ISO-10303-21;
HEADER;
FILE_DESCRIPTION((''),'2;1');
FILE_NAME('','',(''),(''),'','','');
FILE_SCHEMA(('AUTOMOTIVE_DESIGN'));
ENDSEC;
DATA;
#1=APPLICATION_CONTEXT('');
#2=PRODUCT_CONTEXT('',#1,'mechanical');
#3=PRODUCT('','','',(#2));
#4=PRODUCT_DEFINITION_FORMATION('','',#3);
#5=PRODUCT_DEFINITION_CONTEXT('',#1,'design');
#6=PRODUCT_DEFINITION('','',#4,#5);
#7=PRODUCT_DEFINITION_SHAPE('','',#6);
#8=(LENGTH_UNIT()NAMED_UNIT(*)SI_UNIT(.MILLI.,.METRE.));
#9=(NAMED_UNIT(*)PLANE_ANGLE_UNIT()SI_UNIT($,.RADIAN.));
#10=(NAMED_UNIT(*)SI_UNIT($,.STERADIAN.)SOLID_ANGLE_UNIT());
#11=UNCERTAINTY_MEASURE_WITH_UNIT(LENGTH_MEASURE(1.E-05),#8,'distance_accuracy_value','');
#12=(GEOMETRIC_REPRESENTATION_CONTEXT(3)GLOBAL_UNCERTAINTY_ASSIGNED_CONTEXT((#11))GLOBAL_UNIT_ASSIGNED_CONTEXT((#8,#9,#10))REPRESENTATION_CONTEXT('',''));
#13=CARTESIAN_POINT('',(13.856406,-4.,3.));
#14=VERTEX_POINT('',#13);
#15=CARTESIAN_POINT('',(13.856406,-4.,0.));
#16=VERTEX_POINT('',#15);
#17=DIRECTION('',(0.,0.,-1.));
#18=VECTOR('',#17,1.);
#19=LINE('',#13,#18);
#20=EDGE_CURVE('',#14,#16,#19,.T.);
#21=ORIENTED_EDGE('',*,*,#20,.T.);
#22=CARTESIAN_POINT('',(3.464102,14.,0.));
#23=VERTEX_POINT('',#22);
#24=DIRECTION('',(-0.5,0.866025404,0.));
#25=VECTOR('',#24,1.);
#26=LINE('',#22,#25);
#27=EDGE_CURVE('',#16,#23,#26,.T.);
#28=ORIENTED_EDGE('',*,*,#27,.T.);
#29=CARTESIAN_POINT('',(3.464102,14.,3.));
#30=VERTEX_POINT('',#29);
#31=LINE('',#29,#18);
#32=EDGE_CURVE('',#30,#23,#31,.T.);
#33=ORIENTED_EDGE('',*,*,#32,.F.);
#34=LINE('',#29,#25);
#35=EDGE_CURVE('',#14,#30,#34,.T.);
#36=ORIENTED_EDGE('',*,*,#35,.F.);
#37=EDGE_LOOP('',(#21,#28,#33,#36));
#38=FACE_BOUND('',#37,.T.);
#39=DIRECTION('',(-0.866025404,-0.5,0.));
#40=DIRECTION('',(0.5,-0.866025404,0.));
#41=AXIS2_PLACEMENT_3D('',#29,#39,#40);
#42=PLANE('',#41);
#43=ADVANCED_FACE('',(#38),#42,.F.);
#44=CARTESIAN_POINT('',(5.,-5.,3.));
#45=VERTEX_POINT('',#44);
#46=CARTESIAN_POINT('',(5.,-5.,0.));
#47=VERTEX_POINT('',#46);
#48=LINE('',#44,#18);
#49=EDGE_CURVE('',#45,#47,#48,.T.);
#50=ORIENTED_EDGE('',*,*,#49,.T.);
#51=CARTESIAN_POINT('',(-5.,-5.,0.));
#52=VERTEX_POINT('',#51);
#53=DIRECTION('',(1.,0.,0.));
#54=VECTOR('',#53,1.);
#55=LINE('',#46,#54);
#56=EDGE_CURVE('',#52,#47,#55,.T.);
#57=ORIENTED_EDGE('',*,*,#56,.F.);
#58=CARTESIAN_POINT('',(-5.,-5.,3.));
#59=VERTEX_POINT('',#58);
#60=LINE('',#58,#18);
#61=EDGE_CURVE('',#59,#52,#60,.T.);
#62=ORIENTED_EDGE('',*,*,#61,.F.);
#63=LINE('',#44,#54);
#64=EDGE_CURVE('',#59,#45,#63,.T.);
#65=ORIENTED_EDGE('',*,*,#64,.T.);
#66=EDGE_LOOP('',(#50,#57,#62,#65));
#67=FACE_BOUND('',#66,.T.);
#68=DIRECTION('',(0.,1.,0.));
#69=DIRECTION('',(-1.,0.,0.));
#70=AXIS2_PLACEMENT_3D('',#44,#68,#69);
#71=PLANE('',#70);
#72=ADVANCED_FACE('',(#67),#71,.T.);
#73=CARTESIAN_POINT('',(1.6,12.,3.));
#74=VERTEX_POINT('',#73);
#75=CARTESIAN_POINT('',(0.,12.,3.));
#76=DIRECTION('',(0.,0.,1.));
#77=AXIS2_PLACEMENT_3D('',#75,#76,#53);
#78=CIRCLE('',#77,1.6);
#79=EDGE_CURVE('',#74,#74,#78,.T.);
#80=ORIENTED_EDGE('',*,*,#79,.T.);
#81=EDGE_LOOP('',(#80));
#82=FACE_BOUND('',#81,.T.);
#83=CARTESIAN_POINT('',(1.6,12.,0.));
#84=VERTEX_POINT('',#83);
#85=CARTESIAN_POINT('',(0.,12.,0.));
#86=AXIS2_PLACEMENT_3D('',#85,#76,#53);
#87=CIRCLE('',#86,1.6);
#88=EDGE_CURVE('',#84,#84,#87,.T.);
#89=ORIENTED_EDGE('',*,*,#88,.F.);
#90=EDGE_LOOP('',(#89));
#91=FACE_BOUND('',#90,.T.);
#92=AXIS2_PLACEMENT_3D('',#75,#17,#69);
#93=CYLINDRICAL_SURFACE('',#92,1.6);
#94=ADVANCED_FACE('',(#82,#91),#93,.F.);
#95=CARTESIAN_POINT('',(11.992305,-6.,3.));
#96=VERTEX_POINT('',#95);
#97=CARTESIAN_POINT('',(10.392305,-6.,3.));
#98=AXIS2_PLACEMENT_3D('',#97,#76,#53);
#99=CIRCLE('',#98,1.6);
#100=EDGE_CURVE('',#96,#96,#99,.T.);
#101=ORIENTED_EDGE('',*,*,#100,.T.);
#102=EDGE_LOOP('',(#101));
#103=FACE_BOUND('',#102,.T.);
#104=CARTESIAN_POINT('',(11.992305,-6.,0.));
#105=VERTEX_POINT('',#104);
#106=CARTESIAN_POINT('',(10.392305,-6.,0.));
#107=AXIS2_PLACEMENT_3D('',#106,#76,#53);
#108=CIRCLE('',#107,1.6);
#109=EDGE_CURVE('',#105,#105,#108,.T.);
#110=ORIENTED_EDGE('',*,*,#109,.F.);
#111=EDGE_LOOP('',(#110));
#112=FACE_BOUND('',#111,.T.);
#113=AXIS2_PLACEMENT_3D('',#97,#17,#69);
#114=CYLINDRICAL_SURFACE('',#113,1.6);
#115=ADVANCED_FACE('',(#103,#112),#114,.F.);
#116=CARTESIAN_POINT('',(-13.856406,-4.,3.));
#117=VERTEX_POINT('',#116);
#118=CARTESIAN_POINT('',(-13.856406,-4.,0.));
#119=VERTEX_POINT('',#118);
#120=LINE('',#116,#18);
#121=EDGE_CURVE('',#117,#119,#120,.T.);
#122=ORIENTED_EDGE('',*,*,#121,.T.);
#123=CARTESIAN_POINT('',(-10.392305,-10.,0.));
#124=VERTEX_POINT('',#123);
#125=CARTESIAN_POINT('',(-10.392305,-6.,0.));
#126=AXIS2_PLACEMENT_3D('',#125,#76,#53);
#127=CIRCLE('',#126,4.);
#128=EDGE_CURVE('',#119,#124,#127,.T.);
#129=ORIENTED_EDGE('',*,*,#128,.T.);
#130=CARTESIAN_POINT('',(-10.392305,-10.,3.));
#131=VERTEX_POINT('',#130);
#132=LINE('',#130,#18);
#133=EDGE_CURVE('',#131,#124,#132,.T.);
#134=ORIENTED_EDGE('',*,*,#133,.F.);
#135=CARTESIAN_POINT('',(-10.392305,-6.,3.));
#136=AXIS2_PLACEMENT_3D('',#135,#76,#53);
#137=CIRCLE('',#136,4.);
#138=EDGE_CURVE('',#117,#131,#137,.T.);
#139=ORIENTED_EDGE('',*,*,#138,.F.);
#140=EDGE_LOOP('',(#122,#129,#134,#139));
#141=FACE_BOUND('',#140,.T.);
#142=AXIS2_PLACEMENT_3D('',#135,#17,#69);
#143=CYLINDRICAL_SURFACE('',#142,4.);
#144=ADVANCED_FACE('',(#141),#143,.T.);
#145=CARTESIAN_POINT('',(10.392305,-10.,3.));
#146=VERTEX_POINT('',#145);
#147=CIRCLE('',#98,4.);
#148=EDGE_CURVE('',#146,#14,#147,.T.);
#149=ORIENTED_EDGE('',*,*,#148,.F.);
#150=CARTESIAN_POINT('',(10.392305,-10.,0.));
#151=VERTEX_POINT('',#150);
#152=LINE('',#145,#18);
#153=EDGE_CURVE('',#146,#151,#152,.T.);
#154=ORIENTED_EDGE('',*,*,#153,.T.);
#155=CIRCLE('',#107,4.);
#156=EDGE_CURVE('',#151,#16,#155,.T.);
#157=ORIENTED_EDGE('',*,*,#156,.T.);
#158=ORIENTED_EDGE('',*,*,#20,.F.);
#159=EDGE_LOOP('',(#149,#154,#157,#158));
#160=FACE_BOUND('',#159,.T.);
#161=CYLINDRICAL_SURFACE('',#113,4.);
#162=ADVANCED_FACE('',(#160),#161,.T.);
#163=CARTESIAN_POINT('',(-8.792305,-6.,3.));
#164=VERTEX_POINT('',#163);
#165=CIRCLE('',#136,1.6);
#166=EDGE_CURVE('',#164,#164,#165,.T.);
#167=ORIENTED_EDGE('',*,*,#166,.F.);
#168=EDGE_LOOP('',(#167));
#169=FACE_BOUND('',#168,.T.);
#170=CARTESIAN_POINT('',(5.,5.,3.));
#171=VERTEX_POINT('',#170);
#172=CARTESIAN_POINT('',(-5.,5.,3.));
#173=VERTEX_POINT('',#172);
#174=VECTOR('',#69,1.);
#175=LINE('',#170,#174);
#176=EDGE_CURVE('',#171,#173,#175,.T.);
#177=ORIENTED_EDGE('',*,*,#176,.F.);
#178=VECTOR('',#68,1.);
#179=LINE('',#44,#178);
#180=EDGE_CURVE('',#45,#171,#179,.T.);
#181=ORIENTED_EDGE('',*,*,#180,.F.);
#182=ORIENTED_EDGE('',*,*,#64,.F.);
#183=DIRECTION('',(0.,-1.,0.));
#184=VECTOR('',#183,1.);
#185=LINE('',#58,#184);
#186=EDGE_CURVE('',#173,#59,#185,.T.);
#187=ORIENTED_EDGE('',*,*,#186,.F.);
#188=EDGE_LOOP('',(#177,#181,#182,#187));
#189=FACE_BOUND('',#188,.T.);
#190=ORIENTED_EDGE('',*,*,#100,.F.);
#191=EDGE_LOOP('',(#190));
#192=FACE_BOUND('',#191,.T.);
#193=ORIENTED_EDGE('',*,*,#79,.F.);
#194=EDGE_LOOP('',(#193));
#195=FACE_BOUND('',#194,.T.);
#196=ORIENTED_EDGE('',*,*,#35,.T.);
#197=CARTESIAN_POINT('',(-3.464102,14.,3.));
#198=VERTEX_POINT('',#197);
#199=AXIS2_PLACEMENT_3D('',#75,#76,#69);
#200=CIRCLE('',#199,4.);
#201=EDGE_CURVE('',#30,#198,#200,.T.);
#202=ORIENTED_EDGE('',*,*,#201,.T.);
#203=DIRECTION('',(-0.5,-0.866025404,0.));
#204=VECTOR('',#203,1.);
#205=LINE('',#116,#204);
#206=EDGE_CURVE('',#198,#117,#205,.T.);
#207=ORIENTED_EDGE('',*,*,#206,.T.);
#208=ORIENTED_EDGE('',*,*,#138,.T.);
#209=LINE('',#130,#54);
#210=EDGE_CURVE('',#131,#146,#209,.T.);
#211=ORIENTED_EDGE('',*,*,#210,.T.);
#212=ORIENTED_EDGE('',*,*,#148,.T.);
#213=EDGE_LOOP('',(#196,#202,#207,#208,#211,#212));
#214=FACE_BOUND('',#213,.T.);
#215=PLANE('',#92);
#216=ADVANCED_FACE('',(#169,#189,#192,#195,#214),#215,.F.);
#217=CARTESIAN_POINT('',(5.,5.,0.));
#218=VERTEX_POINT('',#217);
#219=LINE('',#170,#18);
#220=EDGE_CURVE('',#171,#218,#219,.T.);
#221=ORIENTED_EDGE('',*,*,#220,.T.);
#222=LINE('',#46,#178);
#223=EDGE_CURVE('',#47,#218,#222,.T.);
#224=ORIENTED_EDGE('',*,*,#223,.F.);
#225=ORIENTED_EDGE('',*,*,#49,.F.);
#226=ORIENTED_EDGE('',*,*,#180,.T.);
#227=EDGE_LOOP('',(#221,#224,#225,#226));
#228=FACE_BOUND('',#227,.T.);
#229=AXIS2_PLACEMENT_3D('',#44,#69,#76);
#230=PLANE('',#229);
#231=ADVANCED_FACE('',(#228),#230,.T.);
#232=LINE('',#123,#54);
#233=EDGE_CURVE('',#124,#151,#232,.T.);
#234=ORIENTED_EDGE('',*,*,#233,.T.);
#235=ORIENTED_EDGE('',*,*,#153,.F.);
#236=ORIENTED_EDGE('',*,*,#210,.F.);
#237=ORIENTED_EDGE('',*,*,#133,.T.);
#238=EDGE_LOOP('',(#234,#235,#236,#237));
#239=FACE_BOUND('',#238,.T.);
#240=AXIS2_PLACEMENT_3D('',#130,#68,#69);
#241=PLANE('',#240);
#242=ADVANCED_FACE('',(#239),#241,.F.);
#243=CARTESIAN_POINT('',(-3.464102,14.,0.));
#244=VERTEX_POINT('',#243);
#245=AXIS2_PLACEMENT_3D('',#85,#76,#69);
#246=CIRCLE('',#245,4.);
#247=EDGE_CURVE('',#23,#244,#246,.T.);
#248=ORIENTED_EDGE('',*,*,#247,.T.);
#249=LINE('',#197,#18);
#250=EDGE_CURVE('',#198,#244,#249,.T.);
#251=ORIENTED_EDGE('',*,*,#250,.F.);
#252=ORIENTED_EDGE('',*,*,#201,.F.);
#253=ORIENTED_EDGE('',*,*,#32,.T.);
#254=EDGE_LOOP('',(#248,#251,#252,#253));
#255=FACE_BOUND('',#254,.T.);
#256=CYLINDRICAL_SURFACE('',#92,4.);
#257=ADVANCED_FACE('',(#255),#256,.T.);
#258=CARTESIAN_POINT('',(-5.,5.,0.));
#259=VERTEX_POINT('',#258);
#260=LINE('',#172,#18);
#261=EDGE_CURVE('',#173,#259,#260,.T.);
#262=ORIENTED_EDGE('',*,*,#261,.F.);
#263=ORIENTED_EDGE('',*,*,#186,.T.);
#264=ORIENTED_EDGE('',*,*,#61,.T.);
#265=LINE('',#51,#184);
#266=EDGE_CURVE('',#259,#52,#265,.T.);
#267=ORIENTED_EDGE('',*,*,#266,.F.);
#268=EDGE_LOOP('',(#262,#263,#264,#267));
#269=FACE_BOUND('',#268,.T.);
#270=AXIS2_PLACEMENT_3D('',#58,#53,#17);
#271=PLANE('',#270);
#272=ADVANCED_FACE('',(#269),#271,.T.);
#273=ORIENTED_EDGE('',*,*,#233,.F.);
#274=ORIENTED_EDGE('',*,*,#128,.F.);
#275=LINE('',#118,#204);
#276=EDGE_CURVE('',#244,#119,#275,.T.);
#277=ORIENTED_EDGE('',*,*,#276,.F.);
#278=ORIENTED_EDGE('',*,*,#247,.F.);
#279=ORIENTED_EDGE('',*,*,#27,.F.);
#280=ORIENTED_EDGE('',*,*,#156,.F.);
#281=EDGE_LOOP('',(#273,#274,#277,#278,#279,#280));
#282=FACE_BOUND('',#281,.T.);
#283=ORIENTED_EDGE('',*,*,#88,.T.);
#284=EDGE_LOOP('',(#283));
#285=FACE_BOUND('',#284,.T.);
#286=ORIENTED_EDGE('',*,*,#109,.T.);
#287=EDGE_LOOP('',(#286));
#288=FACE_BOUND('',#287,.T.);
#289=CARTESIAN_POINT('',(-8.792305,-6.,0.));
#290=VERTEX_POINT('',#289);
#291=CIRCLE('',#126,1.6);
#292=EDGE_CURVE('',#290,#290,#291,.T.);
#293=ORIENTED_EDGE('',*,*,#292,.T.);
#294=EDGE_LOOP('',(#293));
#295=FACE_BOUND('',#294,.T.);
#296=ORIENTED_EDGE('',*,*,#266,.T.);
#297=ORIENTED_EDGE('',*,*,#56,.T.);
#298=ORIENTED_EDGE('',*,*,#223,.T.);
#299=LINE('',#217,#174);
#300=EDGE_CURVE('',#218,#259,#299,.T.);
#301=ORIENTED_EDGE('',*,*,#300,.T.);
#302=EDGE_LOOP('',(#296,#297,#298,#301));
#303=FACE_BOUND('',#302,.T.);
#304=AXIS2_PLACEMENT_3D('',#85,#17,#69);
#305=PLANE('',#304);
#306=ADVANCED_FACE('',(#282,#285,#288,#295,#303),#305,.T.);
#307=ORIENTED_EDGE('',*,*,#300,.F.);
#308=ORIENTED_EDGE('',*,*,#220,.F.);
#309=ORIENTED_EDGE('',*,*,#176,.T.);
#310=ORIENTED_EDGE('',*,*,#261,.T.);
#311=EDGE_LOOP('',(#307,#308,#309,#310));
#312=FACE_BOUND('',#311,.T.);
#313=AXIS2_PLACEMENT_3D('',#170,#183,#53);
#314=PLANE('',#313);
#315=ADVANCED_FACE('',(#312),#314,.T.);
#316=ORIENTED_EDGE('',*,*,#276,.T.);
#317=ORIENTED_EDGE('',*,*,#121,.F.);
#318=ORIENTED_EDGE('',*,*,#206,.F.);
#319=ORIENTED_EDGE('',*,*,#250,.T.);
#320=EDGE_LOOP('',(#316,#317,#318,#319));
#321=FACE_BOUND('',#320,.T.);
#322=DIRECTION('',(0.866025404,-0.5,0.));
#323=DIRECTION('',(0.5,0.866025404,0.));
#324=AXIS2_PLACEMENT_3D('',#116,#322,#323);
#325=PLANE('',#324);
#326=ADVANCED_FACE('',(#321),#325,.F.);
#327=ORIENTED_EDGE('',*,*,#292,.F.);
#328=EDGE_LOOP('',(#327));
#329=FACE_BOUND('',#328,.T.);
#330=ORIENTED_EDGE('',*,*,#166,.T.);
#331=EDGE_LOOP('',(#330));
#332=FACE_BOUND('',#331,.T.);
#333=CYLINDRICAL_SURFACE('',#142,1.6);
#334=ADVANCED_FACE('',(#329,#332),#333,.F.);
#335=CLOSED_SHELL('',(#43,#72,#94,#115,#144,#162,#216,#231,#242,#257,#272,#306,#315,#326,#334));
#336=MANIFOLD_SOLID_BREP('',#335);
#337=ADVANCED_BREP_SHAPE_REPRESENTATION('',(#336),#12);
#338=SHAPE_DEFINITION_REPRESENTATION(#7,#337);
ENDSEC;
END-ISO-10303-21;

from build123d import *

# Parameters (mm, degrees)
SKETCH_1_R      = 1.6
SKETCH_1_W      = 10
SKETCH_1_H      = 10
EXTRUDE_1_DEPTH = 3


with BuildPart() as part:
    # ｽｹｯﾁ1 → ﾎﾞｽ - 押し出し1 (new body)
    with BuildSketch(Plane.XY):
        with BuildLine():
            Line((-13.856406461, -4), (-3.464101615, 14))
            ThreePointArc((-3.464101615, 14), (0, 16), (3.464101615, 14))
            Line((3.464101615, 14), (13.856406461, -4))
            ThreePointArc((13.856406461, -4), (13.856406461, -8), (10.392304845, -10))
            Line((10.392304845, -10), (-10.392304845, -10))
            ThreePointArc((-10.392304845, -10), (-13.856406461, -8), (-13.856406461, -4))
        make_face()
        with Locations((0, 12)):
            Circle(SKETCH_1_R, mode=Mode.SUBTRACT)
        with Locations((10.392304845, -6)):
            Circle(SKETCH_1_R, mode=Mode.SUBTRACT)
        with Locations((-10.392304845, -6)):
            Circle(SKETCH_1_R, mode=Mode.SUBTRACT)
        Rectangle(SKETCH_1_W, SKETCH_1_H, mode=Mode.SUBTRACT)
    extrude(amount=EXTRUDE_1_DEPTH)


solid = part.part
